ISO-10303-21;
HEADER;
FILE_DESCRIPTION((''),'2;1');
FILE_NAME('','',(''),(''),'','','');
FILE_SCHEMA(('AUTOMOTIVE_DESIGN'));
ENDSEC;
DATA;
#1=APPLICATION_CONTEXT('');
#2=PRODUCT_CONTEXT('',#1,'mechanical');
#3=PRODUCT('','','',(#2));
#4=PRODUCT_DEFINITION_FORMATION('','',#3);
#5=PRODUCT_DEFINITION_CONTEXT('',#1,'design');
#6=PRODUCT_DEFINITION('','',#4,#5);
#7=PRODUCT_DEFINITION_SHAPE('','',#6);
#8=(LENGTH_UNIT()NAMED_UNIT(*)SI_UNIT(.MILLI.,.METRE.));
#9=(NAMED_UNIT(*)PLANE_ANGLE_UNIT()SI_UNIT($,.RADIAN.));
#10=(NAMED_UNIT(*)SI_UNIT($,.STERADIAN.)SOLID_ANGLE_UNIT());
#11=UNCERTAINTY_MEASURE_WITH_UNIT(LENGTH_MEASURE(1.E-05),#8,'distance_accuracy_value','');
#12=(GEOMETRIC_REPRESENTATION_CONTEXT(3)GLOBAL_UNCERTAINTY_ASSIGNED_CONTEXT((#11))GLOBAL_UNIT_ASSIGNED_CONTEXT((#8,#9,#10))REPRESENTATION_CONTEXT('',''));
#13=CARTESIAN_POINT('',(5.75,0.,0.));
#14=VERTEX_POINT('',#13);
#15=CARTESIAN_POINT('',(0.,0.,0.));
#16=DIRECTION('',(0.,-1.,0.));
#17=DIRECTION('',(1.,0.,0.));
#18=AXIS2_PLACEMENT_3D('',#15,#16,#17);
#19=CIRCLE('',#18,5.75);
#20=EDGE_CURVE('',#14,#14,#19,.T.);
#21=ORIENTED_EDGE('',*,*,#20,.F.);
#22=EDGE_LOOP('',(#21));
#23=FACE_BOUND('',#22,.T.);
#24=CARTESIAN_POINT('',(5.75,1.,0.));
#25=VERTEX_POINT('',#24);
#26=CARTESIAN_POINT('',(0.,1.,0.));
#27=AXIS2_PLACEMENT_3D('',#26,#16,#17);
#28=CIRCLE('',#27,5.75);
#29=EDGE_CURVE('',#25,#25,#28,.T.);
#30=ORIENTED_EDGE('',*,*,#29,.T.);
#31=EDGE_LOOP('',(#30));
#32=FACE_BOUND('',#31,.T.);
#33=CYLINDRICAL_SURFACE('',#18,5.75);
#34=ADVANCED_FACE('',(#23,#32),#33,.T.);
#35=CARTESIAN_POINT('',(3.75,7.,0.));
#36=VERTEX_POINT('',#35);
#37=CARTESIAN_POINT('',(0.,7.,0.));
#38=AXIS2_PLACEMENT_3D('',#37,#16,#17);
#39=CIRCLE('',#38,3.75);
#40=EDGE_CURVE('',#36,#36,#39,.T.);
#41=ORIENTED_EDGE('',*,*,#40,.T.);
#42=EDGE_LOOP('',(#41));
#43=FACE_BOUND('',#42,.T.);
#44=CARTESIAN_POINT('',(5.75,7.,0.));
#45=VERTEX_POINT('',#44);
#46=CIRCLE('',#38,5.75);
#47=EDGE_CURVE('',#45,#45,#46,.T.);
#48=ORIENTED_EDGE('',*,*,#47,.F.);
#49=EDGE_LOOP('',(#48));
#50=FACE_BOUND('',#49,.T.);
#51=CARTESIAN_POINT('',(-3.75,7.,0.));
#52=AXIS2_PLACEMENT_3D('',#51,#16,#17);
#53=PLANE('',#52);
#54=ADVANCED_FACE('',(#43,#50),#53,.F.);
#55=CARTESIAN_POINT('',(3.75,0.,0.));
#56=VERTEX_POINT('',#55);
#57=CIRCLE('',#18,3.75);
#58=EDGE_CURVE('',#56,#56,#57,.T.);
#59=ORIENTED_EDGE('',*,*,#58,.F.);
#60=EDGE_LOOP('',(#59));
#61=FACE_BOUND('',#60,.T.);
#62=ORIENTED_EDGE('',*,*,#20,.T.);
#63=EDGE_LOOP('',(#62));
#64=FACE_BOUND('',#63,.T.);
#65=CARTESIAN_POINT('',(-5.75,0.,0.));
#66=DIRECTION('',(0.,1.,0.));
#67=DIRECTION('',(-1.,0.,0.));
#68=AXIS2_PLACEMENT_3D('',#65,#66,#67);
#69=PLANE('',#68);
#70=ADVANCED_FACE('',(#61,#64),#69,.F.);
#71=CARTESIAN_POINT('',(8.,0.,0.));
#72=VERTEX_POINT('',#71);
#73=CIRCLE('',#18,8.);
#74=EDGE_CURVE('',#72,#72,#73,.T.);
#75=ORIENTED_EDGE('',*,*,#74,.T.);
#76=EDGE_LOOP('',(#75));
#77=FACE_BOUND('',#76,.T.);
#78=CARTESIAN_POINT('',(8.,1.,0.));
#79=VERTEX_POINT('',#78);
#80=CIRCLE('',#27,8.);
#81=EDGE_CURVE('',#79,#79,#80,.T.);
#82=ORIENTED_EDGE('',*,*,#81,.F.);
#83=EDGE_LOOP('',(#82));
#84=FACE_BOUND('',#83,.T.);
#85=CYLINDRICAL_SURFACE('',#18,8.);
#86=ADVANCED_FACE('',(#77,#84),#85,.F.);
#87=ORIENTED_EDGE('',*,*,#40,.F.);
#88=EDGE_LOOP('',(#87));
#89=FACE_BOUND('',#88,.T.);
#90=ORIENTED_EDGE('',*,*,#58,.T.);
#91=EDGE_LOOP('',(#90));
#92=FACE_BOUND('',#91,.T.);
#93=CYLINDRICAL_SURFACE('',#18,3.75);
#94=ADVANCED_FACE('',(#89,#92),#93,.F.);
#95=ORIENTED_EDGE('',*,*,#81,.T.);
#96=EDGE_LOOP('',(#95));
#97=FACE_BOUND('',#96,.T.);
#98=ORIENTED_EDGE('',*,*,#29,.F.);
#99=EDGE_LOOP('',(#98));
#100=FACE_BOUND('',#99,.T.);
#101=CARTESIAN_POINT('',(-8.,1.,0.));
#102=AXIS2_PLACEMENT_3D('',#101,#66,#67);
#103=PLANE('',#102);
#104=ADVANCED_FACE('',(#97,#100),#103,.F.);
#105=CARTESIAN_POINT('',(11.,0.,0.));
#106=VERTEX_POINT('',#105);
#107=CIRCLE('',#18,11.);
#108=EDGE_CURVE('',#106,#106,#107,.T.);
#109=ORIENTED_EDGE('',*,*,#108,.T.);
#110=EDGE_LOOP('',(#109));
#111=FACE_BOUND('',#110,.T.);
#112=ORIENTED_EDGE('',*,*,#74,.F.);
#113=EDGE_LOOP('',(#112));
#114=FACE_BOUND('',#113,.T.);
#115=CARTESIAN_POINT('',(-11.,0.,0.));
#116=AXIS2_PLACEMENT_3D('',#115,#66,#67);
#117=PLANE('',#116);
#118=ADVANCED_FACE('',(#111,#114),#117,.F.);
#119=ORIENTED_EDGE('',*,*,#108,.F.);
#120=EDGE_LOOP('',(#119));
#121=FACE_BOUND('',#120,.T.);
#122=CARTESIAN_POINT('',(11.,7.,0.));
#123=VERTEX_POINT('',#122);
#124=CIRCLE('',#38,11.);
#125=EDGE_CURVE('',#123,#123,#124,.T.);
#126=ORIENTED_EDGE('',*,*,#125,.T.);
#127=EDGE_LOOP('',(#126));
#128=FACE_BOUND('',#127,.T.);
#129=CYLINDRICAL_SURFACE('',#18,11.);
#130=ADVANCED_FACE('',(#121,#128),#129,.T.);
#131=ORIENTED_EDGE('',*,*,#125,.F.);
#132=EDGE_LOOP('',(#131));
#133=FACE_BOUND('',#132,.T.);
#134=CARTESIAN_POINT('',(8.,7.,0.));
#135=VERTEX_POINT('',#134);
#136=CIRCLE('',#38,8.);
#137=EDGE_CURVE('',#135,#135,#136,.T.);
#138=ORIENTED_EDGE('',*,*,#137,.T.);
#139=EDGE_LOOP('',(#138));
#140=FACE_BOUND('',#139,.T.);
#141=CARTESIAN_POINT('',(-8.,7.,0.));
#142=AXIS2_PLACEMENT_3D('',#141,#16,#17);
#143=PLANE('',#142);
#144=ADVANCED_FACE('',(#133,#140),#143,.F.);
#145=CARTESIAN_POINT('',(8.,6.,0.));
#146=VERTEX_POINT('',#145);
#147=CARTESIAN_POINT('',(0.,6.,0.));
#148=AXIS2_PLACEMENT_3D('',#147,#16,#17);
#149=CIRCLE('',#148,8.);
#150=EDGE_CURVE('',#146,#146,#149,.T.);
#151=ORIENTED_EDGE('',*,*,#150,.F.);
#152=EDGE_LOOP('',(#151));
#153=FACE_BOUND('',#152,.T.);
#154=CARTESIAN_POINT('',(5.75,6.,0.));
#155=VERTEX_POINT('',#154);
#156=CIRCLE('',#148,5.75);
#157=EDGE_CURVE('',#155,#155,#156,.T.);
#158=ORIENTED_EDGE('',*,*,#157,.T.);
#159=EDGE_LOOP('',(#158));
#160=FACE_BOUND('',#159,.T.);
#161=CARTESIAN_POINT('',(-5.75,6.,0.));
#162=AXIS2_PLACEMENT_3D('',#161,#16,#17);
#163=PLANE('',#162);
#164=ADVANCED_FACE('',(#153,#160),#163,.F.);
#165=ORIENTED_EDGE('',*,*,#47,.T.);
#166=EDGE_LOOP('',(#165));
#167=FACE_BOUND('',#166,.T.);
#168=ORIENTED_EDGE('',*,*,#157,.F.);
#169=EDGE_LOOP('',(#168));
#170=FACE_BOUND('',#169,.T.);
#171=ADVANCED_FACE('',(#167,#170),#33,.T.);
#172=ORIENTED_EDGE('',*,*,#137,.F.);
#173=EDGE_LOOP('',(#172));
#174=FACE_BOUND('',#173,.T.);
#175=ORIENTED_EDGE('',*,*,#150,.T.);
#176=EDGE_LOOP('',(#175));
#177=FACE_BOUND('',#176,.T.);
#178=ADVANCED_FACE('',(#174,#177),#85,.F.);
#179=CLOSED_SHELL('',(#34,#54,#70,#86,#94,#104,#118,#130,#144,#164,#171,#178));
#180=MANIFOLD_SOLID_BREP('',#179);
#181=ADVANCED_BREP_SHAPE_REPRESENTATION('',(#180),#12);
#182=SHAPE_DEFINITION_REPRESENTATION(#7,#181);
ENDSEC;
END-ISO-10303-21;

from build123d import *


with BuildPart() as part:
    # Sketch2 → Revolve1 (revolve)
    with BuildSketch(Plane.XY, mode=Mode.PRIVATE) as revolve1_sk:
        Polygon((-3.75, 7), (-3.75, 0), (-5.75, 0), (-5.75, 1), (-8, 1), (-8, 0), (-11, 0), (-11, 7), (-8, 7), (-8, 6), (-5.75, 6), (-5.75, 7), align=None)
    revolve(revolve1_sk.sketch.rotate(Axis((0, 0, 0), (0, 1, 0)), 180), axis=Axis((0, 0, 0), (0, 1, 0)))


solid = part.part
